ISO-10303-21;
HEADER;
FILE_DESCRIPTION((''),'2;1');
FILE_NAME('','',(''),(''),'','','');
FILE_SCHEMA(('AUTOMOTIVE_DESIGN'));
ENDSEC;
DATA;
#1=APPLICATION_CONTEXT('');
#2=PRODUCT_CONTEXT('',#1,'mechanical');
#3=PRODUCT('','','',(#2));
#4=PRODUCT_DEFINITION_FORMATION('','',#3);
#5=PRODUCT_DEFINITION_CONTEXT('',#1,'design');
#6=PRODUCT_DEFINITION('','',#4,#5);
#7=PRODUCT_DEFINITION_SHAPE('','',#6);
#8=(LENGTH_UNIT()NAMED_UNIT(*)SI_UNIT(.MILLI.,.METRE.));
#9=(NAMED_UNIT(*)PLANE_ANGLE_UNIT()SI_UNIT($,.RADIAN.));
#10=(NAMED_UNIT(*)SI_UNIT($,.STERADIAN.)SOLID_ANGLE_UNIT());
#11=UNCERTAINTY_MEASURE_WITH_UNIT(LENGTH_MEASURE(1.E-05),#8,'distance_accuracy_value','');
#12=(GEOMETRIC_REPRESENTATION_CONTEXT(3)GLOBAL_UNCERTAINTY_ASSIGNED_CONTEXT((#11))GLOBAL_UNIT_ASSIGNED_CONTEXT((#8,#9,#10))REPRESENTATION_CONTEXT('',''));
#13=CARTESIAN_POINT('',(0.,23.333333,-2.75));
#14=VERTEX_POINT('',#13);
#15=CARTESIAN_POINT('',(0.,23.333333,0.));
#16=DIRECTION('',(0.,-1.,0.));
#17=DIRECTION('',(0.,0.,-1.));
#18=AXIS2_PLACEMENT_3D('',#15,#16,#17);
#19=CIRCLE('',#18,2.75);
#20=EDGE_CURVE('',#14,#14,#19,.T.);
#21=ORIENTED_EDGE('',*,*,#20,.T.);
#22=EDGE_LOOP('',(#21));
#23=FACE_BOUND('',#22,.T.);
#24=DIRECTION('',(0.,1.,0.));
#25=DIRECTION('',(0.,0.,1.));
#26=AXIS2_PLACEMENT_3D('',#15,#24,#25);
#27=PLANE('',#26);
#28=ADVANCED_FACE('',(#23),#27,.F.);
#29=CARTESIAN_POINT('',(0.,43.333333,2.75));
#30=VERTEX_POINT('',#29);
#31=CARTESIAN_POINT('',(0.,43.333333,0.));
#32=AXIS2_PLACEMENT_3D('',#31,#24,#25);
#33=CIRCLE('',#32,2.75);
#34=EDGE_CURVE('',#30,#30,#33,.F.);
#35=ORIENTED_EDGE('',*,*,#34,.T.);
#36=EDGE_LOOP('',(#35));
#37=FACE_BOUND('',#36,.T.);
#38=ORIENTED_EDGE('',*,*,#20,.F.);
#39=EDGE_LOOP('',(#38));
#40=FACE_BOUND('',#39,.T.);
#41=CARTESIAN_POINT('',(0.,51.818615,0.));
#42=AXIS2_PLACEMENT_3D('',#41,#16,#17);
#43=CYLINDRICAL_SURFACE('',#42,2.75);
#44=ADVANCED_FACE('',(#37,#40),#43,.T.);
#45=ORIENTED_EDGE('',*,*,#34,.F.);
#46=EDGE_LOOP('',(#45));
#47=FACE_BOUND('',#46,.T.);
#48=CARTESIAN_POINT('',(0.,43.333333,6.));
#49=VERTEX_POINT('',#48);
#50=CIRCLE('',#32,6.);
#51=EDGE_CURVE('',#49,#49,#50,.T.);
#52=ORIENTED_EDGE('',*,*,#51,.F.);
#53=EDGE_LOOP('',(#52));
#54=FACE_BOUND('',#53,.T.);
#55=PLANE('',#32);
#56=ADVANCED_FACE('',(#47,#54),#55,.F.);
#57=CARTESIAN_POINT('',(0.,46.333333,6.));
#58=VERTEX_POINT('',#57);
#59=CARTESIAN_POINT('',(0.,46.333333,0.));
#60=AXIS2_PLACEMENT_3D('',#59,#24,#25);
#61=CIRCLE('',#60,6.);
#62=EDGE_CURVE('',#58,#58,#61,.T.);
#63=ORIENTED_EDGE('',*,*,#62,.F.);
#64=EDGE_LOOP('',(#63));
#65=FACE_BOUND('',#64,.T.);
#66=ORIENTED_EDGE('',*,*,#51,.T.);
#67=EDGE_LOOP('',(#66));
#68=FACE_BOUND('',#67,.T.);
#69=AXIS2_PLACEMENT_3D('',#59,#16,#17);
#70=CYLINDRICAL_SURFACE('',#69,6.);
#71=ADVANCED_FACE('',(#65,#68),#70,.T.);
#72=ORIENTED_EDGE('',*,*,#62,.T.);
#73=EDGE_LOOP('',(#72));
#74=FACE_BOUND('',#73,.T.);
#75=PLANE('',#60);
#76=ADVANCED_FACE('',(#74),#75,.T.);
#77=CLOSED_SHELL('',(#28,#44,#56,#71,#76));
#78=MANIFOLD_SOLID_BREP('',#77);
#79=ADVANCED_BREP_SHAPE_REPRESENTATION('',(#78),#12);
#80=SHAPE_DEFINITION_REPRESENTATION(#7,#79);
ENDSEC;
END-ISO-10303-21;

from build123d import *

# Parameters (mm, degrees)
SKETCH1_R           = 10
BOSS_EXTRUDE1_DEPTH = 66.666666667
SCALE_1_SCALE       = 0.3
SKETCH_1_R          = 6
EXTRUDE_1_DEPTH     = 3
SKETCH_2_R          = 3
SKETCH_2_R_2        = 2.75
CUT_EXTRUDE_1_DEPTH = 20


with BuildPart() as part:
    # Sketch1 → Boss-Extrude1 (new body)
    with BuildSketch(Plane(origin=(0, 0, 0), x_dir=(1, 0, 0), z_dir=(0, 1, 0))):
        Circle(SKETCH1_R)
    extrude(amount=BOSS_EXTRUDE1_DEPTH)


with BuildPart() as part_1:
    # 축척1: scaled about (0, 33.333333333, 0)
    add(part.part.scale(SCALE_1_SCALE).moved(Location((0, 23.333333333, 0))))

    # 스케치1 → 보스-돌출1 (add)
    with BuildSketch(Plane(origin=(0, 43.333333333, 0), x_dir=(1, 0, 0), z_dir=(0, 1, 0))):
        Circle(SKETCH_1_R)
    extrude(amount=EXTRUDE_1_DEPTH)

    # 스케치2 → 컷-돌출1 (cut)
    with BuildSketch(Plane.XZ.offset(-23.333333333)):
        Circle(SKETCH_2_R)
        Circle(SKETCH_2_R_2, mode=Mode.SUBTRACT)
    extrude(amount=-CUT_EXTRUDE_1_DEPTH, mode=Mode.SUBTRACT)


solid = part_1.part
